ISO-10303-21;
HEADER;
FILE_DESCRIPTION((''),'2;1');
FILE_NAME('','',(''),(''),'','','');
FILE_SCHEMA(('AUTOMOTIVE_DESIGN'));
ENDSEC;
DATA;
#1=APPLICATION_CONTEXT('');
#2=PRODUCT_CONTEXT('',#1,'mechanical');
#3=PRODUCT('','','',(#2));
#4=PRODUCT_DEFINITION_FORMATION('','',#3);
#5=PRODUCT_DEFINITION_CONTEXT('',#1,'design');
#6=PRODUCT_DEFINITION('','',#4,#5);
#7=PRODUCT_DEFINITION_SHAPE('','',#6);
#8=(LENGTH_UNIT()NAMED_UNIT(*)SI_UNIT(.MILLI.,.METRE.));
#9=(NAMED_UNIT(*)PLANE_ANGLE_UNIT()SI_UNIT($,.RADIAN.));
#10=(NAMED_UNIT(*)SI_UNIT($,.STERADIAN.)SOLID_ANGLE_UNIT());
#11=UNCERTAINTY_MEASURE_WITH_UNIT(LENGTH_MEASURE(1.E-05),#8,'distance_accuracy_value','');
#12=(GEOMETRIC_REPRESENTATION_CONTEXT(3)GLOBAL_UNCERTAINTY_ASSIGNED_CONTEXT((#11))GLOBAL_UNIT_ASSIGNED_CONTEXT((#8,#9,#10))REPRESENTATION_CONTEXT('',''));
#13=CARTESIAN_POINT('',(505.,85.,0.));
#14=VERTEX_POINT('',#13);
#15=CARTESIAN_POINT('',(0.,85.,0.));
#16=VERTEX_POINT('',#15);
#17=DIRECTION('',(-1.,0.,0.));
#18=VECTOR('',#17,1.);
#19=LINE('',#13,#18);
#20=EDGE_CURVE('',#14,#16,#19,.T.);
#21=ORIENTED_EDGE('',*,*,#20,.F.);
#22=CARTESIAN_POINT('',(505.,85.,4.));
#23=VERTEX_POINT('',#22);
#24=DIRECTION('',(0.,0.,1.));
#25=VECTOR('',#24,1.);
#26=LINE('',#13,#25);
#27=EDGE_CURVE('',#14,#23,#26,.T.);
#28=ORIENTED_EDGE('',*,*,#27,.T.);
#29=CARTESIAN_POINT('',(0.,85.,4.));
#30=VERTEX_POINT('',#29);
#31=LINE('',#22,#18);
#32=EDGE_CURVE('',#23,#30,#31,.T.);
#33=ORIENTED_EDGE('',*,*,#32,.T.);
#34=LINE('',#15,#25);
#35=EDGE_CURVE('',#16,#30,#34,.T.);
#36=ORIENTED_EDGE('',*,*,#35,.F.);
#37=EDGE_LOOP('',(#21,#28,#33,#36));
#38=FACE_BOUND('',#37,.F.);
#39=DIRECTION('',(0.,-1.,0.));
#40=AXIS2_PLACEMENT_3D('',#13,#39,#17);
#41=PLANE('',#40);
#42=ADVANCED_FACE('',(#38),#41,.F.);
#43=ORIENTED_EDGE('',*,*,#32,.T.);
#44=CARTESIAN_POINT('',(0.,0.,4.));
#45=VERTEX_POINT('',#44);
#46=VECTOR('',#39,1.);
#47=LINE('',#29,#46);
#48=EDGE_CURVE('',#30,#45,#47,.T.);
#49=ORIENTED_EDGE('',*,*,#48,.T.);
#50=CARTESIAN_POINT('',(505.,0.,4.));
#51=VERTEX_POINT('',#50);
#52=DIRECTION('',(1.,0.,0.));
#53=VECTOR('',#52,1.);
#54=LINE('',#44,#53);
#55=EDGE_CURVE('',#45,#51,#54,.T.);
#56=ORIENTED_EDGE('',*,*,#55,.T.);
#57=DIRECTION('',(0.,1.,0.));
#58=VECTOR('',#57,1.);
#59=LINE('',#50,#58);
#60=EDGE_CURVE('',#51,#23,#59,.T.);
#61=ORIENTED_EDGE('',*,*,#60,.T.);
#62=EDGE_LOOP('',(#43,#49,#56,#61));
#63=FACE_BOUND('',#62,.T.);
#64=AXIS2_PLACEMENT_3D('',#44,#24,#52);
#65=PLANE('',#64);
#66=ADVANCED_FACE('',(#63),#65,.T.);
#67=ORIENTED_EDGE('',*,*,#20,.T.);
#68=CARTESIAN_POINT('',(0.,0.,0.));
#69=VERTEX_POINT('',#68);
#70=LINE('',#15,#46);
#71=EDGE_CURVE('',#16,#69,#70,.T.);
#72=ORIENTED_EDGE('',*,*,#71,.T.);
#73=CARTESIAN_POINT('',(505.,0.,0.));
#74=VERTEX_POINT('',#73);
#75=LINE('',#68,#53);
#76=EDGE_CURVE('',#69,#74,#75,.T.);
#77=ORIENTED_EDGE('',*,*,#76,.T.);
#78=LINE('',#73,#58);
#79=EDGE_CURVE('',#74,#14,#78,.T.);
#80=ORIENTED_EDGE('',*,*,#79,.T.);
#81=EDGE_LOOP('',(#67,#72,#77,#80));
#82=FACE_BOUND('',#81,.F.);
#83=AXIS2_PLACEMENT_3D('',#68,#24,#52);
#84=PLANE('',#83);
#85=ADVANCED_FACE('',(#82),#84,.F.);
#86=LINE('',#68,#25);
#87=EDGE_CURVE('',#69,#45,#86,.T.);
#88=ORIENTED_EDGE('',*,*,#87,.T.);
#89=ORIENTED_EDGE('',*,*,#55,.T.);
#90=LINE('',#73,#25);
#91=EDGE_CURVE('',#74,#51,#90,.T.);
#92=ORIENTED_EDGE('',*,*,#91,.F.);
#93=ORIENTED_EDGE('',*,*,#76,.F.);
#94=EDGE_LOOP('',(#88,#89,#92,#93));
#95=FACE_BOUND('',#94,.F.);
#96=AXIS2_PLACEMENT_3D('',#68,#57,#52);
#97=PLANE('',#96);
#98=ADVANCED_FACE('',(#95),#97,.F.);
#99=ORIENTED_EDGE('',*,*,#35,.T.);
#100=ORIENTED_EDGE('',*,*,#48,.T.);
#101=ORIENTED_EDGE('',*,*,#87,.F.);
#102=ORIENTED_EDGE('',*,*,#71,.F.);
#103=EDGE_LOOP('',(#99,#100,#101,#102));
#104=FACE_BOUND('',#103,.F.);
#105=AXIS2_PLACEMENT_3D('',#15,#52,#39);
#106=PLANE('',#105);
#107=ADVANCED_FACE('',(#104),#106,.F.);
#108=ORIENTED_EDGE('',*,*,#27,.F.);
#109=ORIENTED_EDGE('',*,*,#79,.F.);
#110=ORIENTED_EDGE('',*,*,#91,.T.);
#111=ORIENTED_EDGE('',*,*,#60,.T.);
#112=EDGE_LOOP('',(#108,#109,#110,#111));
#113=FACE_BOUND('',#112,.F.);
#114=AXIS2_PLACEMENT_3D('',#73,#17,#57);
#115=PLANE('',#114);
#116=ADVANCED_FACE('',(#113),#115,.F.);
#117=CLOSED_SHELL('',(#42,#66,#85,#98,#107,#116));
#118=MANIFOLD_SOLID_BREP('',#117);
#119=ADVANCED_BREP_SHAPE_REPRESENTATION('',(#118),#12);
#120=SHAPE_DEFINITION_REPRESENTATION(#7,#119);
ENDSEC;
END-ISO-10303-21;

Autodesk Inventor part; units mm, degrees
ref_plane "YZ Plane" through (0, 0, 0) normal (1, 0, 0) x (0, 1, 0)
ref_plane "XZ Plane" through (0, 0, 0) normal (0, 1, 0) x (-1, 0, 0)
ref_plane "XY Plane" through (0, 0, 0) normal (0, 0, 1) x (1, 0, 0)
sketch "Sketch1" plane through (0, 0, 0) normal (0, 0, 1) x (1, 0, 0)
  line L0 (0, 0) -> (505, 0)
  line L1 (505, 0) -> (505, 85)
  line L2 (505, 85) -> (0, 85)
  line L3 (0, 85) -> (0, 0)
  dimension "d0" = 505
  dimension "d1" = 85
extrude "Extrusion1" add sketch "Sketch1" along normal blind 4
properties part number "EnclosurePanelBottomBack" material "ABS Plastic"
